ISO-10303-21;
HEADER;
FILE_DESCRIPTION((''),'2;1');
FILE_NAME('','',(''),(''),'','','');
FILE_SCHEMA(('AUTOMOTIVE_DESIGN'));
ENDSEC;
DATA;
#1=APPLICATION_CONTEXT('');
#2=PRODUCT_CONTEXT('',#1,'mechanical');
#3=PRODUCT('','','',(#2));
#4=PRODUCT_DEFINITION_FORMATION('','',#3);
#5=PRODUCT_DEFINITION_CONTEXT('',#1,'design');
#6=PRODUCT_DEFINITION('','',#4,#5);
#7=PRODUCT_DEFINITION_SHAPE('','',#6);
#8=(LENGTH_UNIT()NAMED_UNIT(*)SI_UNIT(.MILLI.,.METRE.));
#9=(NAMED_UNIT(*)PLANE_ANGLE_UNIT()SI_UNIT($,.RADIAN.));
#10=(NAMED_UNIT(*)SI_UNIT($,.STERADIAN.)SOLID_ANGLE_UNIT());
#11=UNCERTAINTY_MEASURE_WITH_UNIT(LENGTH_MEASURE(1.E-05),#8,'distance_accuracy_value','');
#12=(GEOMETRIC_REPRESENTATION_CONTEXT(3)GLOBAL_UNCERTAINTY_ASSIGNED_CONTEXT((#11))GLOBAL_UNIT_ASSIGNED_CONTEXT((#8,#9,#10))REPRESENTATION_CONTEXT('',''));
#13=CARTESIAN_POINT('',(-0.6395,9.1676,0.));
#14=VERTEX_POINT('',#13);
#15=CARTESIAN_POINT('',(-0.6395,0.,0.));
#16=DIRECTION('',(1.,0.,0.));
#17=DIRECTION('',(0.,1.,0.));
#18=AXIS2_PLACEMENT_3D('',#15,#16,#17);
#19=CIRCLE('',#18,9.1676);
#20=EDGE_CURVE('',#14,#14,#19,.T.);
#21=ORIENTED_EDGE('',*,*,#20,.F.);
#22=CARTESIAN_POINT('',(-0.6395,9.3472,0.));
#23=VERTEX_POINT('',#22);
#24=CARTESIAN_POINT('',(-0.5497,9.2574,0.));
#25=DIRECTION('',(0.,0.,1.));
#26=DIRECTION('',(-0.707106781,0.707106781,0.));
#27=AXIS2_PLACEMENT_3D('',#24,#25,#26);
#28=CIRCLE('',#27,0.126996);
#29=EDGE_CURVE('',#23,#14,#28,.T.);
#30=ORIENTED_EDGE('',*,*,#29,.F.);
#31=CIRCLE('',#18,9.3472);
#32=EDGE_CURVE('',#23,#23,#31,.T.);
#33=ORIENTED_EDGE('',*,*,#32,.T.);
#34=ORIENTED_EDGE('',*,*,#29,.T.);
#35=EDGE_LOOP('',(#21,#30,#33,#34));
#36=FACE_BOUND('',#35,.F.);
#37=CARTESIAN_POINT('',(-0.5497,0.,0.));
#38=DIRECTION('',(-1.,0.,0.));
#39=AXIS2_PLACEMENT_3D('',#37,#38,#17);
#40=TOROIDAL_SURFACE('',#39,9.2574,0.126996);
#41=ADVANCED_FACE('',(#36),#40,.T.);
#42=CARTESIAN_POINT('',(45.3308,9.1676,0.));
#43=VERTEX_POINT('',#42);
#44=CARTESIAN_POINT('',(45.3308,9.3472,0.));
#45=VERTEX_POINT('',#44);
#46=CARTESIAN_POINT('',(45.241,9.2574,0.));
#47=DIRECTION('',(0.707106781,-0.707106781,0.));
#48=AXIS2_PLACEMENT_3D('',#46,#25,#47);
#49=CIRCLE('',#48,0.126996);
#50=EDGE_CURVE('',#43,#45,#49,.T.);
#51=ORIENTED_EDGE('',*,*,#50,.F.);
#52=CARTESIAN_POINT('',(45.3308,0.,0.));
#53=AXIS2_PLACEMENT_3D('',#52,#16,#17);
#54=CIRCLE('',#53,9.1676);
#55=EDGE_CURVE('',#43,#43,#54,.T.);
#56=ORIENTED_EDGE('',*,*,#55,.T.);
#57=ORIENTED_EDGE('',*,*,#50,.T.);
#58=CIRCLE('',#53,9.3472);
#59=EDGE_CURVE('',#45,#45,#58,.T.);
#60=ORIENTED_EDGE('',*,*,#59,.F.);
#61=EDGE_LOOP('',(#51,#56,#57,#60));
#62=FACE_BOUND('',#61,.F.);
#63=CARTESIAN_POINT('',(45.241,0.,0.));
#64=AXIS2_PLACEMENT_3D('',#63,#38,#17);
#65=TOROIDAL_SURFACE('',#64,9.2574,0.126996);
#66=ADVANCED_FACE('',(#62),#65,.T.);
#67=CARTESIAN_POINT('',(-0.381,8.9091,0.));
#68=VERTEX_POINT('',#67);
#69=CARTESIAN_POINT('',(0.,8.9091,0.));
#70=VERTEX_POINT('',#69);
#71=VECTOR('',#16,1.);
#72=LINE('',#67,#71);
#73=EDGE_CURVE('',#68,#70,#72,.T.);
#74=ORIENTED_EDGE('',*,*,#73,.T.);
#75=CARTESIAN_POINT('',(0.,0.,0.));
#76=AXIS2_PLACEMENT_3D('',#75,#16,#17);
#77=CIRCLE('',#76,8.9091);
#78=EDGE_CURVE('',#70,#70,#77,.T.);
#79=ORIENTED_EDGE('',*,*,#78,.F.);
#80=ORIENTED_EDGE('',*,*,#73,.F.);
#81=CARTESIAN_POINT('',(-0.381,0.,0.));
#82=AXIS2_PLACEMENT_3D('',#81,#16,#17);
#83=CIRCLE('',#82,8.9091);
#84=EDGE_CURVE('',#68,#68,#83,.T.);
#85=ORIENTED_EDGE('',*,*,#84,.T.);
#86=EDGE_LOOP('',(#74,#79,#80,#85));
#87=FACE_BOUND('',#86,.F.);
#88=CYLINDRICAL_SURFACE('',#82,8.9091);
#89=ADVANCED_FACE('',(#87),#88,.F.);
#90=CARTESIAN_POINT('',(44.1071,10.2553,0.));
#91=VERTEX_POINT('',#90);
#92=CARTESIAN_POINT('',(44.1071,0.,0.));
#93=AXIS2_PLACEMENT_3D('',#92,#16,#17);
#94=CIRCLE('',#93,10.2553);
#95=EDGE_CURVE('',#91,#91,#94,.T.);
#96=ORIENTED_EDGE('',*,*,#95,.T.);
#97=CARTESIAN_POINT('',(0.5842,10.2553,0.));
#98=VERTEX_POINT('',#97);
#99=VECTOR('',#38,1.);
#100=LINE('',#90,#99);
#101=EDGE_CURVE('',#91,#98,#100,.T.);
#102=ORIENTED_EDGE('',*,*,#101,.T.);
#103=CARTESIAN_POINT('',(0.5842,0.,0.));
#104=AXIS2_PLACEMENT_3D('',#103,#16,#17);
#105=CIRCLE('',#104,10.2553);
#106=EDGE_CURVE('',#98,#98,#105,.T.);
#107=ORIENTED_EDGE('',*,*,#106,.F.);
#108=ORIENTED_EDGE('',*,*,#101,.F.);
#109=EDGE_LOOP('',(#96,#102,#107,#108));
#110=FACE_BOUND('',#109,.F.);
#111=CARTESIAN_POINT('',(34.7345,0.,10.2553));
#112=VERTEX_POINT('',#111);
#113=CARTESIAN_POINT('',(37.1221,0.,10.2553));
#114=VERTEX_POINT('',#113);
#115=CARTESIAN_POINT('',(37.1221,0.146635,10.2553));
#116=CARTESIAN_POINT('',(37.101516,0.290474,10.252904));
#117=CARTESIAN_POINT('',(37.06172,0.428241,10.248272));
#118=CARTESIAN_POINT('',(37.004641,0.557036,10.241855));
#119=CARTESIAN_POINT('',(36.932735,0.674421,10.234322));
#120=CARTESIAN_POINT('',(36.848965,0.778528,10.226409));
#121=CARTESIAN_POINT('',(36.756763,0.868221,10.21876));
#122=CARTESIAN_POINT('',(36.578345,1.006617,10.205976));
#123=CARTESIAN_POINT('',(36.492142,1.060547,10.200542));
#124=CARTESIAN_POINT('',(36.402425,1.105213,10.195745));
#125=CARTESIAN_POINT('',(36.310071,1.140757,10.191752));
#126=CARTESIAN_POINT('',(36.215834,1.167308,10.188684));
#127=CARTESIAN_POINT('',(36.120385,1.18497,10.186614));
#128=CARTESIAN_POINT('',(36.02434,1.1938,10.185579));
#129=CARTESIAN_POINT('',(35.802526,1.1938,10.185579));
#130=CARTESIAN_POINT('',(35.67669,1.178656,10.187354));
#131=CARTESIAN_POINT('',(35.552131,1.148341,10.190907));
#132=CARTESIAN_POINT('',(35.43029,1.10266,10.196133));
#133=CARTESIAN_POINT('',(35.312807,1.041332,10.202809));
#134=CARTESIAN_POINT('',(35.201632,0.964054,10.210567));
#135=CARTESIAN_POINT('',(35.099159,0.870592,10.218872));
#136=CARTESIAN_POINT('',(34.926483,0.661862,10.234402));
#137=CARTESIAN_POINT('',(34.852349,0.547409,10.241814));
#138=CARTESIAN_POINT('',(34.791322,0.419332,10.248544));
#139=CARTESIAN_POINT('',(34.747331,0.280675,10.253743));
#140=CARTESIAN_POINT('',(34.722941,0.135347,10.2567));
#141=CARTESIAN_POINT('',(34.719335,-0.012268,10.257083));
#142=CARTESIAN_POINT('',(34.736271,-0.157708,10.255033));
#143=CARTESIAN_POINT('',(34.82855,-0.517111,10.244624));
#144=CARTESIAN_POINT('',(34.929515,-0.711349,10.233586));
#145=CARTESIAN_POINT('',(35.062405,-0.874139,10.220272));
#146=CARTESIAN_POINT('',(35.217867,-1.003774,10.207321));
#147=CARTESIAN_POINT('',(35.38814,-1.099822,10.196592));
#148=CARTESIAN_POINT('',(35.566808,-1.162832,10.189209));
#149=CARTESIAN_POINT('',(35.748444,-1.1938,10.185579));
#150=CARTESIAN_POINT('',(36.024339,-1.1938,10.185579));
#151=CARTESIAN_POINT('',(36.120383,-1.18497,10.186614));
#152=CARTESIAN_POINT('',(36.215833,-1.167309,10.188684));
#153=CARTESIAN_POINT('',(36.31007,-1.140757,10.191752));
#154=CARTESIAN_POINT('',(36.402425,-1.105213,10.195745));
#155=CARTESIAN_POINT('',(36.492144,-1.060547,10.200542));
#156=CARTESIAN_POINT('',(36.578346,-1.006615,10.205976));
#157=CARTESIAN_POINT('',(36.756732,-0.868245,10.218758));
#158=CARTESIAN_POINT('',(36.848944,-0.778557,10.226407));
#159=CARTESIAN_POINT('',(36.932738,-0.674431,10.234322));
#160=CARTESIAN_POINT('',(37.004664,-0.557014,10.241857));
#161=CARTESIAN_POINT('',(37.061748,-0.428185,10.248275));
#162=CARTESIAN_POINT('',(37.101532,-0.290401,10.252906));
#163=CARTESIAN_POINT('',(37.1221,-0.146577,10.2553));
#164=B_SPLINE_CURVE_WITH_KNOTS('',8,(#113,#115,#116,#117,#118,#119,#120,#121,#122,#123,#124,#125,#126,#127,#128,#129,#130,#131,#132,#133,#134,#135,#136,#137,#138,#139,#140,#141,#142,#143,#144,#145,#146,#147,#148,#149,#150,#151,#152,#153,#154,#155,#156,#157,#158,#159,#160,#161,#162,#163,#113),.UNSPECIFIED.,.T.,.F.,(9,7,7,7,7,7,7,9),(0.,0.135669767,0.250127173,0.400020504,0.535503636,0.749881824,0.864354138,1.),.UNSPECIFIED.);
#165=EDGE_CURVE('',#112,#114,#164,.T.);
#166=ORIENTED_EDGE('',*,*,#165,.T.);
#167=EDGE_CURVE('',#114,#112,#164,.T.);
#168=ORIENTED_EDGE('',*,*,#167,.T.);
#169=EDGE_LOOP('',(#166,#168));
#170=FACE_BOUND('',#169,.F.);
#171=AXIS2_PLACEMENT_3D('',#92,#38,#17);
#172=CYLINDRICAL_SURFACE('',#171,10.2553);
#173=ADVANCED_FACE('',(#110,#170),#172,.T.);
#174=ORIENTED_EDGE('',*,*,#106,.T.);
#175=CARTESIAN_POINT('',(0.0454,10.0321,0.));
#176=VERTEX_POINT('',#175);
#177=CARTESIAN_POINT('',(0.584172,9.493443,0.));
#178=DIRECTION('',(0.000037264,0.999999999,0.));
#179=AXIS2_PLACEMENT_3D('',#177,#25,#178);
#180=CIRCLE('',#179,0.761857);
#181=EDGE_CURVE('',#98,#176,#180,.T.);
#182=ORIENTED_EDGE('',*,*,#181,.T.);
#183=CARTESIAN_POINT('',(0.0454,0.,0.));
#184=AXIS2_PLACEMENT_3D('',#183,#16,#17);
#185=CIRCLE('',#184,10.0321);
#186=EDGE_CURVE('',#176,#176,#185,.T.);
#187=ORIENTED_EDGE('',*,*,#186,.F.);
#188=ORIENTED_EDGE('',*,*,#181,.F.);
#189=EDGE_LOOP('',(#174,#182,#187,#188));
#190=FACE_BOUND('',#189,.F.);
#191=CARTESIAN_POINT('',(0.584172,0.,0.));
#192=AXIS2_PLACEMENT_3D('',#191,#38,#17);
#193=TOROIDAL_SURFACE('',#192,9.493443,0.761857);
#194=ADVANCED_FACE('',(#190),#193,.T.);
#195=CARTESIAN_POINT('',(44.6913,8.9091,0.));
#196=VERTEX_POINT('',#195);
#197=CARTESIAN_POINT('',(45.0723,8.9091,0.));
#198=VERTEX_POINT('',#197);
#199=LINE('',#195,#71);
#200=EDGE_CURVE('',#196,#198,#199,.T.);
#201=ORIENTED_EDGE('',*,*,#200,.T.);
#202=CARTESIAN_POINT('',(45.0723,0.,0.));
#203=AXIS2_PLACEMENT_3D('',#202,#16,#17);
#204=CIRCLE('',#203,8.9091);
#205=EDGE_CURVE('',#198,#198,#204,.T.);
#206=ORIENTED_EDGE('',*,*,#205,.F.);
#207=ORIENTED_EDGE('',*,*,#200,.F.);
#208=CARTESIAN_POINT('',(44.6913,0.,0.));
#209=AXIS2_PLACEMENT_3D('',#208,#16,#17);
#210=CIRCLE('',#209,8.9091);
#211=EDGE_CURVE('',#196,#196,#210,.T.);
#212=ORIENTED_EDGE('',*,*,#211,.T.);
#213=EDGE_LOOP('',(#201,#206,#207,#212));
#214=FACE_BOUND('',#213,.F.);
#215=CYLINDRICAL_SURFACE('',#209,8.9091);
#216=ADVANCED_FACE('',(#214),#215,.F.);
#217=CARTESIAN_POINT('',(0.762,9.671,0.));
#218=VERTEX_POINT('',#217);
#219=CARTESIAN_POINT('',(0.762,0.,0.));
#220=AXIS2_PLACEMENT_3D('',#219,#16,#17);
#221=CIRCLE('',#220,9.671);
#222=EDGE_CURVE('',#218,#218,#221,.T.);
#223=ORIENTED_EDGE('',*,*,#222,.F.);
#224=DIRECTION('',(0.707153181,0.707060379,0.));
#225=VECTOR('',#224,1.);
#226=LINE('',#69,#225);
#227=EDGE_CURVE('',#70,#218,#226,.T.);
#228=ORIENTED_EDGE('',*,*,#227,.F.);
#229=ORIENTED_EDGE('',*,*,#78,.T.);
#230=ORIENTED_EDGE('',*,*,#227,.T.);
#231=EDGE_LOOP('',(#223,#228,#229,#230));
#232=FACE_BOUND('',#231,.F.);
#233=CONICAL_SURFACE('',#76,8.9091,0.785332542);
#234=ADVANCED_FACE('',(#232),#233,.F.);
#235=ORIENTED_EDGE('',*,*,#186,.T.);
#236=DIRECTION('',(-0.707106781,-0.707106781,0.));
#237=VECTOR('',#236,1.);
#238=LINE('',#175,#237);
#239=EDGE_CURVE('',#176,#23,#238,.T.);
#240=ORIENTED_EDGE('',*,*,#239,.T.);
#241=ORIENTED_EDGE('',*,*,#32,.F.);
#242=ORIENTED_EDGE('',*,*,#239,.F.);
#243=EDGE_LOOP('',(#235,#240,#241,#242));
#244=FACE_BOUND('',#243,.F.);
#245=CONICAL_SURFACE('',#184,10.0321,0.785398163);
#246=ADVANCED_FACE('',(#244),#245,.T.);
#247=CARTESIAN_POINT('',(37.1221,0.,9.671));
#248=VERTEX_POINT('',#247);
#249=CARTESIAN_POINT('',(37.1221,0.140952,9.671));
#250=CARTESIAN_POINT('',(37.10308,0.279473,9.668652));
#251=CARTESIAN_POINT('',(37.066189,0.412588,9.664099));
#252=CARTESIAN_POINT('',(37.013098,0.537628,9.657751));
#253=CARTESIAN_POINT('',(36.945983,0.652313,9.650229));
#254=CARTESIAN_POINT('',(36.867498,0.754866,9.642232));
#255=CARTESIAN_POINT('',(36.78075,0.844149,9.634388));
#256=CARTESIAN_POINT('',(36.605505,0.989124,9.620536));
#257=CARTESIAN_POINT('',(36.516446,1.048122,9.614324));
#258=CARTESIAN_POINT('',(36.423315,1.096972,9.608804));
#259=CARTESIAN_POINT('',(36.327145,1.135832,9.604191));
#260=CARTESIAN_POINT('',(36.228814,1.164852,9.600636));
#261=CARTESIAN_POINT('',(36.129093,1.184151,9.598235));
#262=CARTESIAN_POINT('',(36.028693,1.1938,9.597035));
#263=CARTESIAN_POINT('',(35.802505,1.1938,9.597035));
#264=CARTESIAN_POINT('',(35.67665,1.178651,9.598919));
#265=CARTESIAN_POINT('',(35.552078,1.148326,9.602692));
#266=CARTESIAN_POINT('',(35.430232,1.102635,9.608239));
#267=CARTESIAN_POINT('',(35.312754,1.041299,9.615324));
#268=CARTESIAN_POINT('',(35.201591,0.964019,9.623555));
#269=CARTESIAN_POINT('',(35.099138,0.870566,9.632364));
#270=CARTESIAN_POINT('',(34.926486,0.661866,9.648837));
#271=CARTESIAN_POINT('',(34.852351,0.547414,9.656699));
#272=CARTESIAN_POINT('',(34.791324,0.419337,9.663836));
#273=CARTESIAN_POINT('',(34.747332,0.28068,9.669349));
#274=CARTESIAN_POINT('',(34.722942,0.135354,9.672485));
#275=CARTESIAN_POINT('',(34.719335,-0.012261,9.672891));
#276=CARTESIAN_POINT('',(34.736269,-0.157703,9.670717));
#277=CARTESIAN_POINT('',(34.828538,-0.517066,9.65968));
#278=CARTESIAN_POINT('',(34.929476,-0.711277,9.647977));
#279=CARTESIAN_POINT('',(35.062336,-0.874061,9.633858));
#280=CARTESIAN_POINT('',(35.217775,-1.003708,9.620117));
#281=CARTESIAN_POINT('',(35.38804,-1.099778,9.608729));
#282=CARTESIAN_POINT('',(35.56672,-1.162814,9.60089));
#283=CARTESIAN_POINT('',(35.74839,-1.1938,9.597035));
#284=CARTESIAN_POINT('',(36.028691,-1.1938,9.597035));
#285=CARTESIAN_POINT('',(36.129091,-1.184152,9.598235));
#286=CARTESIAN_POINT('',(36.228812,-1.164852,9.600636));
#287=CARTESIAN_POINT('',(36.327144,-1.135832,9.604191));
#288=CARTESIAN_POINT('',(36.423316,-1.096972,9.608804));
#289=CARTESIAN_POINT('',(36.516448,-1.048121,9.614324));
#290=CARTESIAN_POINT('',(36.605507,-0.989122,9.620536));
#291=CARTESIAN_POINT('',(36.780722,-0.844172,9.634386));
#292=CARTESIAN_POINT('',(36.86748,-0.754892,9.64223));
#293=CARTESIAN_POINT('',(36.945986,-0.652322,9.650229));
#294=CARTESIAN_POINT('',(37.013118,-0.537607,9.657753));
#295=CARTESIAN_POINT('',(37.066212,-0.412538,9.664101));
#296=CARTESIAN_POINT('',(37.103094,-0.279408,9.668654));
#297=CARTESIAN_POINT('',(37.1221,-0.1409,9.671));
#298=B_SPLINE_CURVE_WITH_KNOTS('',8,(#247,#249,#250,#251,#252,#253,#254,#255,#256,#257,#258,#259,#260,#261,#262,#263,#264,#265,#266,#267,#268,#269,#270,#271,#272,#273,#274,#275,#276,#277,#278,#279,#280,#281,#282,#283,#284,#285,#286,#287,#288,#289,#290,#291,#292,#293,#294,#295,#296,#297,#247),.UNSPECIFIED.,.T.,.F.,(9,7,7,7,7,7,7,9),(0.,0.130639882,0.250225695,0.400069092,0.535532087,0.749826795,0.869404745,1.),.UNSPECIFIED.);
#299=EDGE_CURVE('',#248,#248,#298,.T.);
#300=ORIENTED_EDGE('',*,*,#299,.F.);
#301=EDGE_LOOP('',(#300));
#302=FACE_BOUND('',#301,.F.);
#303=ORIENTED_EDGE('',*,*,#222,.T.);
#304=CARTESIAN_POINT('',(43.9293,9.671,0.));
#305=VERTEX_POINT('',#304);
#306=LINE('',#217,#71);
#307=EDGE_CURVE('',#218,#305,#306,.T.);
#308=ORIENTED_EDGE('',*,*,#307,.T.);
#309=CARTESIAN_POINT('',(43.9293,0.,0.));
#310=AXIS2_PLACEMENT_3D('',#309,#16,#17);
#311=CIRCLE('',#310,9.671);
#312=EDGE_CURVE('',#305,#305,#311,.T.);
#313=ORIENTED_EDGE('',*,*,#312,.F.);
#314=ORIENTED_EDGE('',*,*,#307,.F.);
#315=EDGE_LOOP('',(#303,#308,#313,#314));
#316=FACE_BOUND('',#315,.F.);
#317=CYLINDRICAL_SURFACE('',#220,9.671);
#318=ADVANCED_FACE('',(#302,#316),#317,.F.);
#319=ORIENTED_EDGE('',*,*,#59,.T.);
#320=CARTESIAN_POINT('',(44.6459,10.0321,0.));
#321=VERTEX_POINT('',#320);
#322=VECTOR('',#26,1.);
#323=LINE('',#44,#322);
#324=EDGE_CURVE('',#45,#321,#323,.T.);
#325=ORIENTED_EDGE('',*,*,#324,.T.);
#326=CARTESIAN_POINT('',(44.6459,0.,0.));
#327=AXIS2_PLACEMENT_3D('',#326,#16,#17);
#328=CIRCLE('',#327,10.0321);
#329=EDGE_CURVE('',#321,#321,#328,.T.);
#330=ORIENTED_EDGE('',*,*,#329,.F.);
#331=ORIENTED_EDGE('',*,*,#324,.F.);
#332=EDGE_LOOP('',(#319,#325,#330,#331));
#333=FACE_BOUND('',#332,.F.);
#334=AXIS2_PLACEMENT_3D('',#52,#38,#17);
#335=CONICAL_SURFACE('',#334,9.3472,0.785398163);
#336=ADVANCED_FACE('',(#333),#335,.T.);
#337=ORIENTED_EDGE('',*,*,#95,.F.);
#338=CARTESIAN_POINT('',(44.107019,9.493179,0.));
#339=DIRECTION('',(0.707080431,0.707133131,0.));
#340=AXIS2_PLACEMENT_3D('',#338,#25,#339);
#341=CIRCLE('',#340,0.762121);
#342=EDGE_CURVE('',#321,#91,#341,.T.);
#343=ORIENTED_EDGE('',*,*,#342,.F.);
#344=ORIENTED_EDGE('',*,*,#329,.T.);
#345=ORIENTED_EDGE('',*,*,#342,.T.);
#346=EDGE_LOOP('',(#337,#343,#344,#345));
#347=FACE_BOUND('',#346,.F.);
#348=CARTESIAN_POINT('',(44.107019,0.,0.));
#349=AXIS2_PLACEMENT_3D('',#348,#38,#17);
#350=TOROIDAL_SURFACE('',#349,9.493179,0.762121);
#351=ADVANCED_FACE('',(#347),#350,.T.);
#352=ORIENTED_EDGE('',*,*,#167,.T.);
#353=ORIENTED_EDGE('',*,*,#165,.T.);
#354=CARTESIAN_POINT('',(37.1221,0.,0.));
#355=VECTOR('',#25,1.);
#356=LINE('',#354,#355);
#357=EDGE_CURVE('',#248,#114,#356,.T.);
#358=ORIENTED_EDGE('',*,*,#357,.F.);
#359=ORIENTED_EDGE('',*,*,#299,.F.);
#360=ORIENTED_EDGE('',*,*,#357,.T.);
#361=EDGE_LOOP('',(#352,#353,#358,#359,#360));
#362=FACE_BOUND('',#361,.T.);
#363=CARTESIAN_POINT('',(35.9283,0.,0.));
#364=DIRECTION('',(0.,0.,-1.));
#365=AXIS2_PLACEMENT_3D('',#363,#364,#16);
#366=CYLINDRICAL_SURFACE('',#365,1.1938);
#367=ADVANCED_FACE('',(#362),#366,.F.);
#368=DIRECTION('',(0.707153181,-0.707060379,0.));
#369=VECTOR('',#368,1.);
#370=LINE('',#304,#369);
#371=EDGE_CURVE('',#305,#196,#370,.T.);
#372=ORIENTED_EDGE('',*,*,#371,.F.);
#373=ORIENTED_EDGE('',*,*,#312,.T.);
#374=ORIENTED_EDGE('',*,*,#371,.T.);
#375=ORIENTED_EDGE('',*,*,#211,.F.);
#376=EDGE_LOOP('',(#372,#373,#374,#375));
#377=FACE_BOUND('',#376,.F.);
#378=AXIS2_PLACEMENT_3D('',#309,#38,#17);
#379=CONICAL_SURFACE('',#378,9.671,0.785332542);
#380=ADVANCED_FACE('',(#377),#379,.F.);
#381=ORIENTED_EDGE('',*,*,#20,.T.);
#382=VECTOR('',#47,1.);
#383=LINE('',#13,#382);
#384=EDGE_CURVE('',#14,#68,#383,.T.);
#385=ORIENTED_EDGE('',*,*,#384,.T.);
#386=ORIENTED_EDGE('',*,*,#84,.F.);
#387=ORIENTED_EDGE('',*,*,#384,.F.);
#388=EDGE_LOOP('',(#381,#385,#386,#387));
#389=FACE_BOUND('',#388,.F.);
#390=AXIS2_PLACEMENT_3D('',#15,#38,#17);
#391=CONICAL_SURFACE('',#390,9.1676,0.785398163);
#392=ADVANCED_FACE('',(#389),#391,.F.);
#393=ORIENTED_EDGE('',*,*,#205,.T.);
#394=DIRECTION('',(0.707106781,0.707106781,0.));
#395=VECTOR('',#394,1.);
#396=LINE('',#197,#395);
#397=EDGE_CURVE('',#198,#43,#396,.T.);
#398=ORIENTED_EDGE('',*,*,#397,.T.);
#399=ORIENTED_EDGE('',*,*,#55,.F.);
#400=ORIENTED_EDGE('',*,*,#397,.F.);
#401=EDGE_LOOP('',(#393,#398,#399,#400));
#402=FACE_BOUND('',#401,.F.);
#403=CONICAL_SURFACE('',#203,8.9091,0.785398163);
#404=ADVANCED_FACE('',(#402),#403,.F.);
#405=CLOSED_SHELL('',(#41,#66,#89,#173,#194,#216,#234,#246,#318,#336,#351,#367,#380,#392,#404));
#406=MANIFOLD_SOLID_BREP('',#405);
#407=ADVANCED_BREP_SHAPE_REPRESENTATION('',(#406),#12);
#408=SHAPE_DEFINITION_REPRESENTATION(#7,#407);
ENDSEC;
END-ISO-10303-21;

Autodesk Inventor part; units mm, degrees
sketch "Sketch_1" plane through (0, 0, 0) normal (0, 0, 1) x (1, 0, 0)
  line L0 (44.6913, 0) -> (0, 0)
  arc A0 (-0.6395, 9.3472) -> (-0.6395, 9.1676) centre (-0.5497, 9.2574) ccw
  line L1 (-0.6395, 9.1676) -> (-0.381, 8.9091)
  line L2 (-0.381, 8.9091) -> (0, 8.9091)
  line L3 (0, 8.9091) -> (0.762, 9.671)
  line L4 (0.762, 9.671) -> (43.9293, 9.671)
  line L5 (43.9293, 9.671) -> (44.6913, 8.9091)
  line L6 (44.6913, 8.9091) -> (45.0723, 8.9091)
  line L7 (45.0723, 8.9091) -> (45.3308, 9.1676)
  arc A1 (45.3308, 9.1676) -> (45.3308, 9.3472) centre (45.241, 9.2574) ccw
  line L8 (45.3308, 9.3472) -> (44.6459, 10.0321)
  arc A2 (44.6459, 10.0321) -> (44.1071, 10.2553) centre (44.1071, 9.4933) ccw
  line L9 (44.1071, 10.2553) -> (0.5842, 10.2553)
  arc A3 (0.5842, 10.2553) -> (0.0454, 10.0321) centre (0.5842, 9.4933) ccw
  line L10 (0.0454, 10.0321) -> (-0.6395, 9.3472)
revolve "Revolution1" add sketch "Sketch_1" angle 360 about axis through (44.6913, 0, 0) along (1, 0, 0)
sketch "Sketch_7" plane through (0, 0, 0) normal (0, 0, 1) x (1, 0, 0)
  circle A0 centre (35.9283, 0) radius 1.1938
extrude "Extrusion1" cut sketch "Sketch_7" along normal blind 10.2553
ref_plane "cp1_XY" through (22.3456, 10.2553, 0) normal (1, 0, 0) x (0, 0, -1)
ref_plane "cp1_YZ" through (22.3456, 10.2553, 0) normal (0, 0, -1) x (0, 1, 0)
ref_plane "cp1_ZX" through (22.3456, 10.2553, 0) normal (0, 1, 0) x (1, 0, 0)
ref_plane "cp2_XY" through (22.3456, 0, -10.2553) normal (1, 0, 0) x (0, 0, -1)
ref_plane "cp2_YZ" through (22.3456, 0, -10.2553) normal (0, 0, -1) x (0, 1, 0)
ref_plane "cp2_ZX" through (22.3456, 0, -10.2553) normal (0, 1, 0) x (1, 0, 0)
ref_plane "cp3_XY" through (22.3456, -10.2553, 0) normal (1, 0, 0) x (0, 0, -1)
ref_plane "cp3_YZ" through (22.3456, -10.2553, 0) normal (0, 0, -1) x (0, 1, 0)
ref_plane "cp3_ZX" through (22.3456, -10.2553, 0) normal (0, 1, 0) x (1, 0, 0)
ref_plane "cp4_XY" through (22.3456, 0, 10.2553) normal (1, 0, 0) x (0, 0, -1)
ref_plane "cp4_YZ" through (22.3456, 0, 10.2553) normal (0, 0, -1) x (0, 1, 0)
ref_plane "cp4_ZX" through (22.3456, 0, 10.2553) normal (0, 1, 0) x (1, 0, 0)
ref_plane "tube_front_XY" through (0, 0, 0) normal (1, 0, 0) x (0, 0, -1)
ref_plane "tube_front_YZ" through (0, 0, 0) normal (0, 0, -1) x (0, 1, 0)
ref_plane "tube_front_ZX" through (0, 0, 0) normal (0, 1, 0) x (1, 0, 0)
ref_plane "tube_rear_XY" through (44.6913, 0, 0) normal (1, 0, 0) x (0, 0, -1)
ref_plane "tube_rear_YZ" through (44.6913, 0, 0) normal (0, 0, -1) x (0, 1, 0)
ref_plane "tube_rear_ZX" through (44.6913, 0, 0) normal (0, 1, 0) x (1, 0, 0)
properties part number "04R-1.75953C"
